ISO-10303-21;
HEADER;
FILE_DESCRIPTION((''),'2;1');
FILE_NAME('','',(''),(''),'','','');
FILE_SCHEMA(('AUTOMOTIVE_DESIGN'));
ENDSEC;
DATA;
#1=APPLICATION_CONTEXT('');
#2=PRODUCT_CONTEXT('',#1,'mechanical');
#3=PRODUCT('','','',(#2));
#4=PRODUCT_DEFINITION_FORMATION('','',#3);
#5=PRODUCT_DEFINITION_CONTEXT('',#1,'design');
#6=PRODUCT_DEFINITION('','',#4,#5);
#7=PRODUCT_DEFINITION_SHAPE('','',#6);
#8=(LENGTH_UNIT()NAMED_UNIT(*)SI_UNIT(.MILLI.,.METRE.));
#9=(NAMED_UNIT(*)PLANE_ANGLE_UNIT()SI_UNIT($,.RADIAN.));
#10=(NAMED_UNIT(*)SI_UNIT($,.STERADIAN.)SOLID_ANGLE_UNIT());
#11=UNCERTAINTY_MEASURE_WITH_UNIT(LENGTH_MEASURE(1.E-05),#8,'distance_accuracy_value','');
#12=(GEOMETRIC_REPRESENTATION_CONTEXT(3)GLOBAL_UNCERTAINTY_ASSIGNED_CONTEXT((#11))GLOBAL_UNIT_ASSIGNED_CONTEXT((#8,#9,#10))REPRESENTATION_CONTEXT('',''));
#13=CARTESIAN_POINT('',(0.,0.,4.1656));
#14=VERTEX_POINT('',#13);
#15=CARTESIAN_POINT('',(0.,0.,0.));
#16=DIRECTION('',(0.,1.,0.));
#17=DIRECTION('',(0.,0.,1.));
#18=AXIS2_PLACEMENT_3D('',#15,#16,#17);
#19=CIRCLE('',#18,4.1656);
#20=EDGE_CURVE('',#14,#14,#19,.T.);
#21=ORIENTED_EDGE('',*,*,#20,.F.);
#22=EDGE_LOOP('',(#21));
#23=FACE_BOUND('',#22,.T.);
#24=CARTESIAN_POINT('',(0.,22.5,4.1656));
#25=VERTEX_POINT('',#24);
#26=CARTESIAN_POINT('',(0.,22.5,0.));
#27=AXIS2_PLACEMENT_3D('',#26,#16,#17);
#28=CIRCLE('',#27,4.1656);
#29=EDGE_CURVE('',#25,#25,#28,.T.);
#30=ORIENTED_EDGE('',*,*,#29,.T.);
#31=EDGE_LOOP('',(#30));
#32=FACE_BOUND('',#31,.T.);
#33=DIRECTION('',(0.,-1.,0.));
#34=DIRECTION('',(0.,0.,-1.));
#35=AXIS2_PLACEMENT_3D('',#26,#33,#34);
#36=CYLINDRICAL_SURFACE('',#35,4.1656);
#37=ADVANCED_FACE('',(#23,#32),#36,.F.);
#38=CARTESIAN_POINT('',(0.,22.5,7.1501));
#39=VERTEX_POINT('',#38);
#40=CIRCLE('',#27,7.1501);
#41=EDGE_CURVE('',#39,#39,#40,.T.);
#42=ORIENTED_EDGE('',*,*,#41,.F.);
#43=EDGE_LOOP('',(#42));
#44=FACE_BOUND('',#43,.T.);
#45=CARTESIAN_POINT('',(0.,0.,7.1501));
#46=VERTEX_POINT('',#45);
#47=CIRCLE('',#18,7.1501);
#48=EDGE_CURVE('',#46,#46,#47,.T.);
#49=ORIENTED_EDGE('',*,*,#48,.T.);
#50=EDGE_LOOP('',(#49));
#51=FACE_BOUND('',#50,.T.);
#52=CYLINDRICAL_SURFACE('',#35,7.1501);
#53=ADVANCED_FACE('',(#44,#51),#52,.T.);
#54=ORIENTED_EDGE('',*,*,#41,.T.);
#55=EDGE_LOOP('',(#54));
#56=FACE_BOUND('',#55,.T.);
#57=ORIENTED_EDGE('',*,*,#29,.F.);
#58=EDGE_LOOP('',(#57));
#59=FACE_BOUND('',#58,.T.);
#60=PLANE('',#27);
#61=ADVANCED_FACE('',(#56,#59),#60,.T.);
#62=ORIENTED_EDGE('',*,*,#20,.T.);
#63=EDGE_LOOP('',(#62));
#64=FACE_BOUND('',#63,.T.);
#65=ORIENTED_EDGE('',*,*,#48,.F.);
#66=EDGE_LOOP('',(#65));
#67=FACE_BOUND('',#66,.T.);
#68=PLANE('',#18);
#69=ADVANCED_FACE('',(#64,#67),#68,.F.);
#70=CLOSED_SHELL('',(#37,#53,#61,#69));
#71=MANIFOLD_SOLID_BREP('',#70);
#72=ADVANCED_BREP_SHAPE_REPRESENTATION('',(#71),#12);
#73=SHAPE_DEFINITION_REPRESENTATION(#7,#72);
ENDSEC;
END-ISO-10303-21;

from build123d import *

# Parameters (mm, degrees)
PROFILE_SKETCH_R      = 7.1501
PROFILE_SKETCH_R_2    = 4.1656
PROFILE_EXTRUDE_DEPTH = 22.5


with BuildPart() as part:
    # Profile Sketch → Profile Extrude (new body)
    with BuildSketch(Plane(origin=(0, 0, 0), x_dir=(1, 0, 0), z_dir=(0, 1, 0))):
        Circle(PROFILE_SKETCH_R)
        Circle(PROFILE_SKETCH_R_2, mode=Mode.SUBTRACT)
    extrude(amount=PROFILE_EXTRUDE_DEPTH)


solid = part.part
